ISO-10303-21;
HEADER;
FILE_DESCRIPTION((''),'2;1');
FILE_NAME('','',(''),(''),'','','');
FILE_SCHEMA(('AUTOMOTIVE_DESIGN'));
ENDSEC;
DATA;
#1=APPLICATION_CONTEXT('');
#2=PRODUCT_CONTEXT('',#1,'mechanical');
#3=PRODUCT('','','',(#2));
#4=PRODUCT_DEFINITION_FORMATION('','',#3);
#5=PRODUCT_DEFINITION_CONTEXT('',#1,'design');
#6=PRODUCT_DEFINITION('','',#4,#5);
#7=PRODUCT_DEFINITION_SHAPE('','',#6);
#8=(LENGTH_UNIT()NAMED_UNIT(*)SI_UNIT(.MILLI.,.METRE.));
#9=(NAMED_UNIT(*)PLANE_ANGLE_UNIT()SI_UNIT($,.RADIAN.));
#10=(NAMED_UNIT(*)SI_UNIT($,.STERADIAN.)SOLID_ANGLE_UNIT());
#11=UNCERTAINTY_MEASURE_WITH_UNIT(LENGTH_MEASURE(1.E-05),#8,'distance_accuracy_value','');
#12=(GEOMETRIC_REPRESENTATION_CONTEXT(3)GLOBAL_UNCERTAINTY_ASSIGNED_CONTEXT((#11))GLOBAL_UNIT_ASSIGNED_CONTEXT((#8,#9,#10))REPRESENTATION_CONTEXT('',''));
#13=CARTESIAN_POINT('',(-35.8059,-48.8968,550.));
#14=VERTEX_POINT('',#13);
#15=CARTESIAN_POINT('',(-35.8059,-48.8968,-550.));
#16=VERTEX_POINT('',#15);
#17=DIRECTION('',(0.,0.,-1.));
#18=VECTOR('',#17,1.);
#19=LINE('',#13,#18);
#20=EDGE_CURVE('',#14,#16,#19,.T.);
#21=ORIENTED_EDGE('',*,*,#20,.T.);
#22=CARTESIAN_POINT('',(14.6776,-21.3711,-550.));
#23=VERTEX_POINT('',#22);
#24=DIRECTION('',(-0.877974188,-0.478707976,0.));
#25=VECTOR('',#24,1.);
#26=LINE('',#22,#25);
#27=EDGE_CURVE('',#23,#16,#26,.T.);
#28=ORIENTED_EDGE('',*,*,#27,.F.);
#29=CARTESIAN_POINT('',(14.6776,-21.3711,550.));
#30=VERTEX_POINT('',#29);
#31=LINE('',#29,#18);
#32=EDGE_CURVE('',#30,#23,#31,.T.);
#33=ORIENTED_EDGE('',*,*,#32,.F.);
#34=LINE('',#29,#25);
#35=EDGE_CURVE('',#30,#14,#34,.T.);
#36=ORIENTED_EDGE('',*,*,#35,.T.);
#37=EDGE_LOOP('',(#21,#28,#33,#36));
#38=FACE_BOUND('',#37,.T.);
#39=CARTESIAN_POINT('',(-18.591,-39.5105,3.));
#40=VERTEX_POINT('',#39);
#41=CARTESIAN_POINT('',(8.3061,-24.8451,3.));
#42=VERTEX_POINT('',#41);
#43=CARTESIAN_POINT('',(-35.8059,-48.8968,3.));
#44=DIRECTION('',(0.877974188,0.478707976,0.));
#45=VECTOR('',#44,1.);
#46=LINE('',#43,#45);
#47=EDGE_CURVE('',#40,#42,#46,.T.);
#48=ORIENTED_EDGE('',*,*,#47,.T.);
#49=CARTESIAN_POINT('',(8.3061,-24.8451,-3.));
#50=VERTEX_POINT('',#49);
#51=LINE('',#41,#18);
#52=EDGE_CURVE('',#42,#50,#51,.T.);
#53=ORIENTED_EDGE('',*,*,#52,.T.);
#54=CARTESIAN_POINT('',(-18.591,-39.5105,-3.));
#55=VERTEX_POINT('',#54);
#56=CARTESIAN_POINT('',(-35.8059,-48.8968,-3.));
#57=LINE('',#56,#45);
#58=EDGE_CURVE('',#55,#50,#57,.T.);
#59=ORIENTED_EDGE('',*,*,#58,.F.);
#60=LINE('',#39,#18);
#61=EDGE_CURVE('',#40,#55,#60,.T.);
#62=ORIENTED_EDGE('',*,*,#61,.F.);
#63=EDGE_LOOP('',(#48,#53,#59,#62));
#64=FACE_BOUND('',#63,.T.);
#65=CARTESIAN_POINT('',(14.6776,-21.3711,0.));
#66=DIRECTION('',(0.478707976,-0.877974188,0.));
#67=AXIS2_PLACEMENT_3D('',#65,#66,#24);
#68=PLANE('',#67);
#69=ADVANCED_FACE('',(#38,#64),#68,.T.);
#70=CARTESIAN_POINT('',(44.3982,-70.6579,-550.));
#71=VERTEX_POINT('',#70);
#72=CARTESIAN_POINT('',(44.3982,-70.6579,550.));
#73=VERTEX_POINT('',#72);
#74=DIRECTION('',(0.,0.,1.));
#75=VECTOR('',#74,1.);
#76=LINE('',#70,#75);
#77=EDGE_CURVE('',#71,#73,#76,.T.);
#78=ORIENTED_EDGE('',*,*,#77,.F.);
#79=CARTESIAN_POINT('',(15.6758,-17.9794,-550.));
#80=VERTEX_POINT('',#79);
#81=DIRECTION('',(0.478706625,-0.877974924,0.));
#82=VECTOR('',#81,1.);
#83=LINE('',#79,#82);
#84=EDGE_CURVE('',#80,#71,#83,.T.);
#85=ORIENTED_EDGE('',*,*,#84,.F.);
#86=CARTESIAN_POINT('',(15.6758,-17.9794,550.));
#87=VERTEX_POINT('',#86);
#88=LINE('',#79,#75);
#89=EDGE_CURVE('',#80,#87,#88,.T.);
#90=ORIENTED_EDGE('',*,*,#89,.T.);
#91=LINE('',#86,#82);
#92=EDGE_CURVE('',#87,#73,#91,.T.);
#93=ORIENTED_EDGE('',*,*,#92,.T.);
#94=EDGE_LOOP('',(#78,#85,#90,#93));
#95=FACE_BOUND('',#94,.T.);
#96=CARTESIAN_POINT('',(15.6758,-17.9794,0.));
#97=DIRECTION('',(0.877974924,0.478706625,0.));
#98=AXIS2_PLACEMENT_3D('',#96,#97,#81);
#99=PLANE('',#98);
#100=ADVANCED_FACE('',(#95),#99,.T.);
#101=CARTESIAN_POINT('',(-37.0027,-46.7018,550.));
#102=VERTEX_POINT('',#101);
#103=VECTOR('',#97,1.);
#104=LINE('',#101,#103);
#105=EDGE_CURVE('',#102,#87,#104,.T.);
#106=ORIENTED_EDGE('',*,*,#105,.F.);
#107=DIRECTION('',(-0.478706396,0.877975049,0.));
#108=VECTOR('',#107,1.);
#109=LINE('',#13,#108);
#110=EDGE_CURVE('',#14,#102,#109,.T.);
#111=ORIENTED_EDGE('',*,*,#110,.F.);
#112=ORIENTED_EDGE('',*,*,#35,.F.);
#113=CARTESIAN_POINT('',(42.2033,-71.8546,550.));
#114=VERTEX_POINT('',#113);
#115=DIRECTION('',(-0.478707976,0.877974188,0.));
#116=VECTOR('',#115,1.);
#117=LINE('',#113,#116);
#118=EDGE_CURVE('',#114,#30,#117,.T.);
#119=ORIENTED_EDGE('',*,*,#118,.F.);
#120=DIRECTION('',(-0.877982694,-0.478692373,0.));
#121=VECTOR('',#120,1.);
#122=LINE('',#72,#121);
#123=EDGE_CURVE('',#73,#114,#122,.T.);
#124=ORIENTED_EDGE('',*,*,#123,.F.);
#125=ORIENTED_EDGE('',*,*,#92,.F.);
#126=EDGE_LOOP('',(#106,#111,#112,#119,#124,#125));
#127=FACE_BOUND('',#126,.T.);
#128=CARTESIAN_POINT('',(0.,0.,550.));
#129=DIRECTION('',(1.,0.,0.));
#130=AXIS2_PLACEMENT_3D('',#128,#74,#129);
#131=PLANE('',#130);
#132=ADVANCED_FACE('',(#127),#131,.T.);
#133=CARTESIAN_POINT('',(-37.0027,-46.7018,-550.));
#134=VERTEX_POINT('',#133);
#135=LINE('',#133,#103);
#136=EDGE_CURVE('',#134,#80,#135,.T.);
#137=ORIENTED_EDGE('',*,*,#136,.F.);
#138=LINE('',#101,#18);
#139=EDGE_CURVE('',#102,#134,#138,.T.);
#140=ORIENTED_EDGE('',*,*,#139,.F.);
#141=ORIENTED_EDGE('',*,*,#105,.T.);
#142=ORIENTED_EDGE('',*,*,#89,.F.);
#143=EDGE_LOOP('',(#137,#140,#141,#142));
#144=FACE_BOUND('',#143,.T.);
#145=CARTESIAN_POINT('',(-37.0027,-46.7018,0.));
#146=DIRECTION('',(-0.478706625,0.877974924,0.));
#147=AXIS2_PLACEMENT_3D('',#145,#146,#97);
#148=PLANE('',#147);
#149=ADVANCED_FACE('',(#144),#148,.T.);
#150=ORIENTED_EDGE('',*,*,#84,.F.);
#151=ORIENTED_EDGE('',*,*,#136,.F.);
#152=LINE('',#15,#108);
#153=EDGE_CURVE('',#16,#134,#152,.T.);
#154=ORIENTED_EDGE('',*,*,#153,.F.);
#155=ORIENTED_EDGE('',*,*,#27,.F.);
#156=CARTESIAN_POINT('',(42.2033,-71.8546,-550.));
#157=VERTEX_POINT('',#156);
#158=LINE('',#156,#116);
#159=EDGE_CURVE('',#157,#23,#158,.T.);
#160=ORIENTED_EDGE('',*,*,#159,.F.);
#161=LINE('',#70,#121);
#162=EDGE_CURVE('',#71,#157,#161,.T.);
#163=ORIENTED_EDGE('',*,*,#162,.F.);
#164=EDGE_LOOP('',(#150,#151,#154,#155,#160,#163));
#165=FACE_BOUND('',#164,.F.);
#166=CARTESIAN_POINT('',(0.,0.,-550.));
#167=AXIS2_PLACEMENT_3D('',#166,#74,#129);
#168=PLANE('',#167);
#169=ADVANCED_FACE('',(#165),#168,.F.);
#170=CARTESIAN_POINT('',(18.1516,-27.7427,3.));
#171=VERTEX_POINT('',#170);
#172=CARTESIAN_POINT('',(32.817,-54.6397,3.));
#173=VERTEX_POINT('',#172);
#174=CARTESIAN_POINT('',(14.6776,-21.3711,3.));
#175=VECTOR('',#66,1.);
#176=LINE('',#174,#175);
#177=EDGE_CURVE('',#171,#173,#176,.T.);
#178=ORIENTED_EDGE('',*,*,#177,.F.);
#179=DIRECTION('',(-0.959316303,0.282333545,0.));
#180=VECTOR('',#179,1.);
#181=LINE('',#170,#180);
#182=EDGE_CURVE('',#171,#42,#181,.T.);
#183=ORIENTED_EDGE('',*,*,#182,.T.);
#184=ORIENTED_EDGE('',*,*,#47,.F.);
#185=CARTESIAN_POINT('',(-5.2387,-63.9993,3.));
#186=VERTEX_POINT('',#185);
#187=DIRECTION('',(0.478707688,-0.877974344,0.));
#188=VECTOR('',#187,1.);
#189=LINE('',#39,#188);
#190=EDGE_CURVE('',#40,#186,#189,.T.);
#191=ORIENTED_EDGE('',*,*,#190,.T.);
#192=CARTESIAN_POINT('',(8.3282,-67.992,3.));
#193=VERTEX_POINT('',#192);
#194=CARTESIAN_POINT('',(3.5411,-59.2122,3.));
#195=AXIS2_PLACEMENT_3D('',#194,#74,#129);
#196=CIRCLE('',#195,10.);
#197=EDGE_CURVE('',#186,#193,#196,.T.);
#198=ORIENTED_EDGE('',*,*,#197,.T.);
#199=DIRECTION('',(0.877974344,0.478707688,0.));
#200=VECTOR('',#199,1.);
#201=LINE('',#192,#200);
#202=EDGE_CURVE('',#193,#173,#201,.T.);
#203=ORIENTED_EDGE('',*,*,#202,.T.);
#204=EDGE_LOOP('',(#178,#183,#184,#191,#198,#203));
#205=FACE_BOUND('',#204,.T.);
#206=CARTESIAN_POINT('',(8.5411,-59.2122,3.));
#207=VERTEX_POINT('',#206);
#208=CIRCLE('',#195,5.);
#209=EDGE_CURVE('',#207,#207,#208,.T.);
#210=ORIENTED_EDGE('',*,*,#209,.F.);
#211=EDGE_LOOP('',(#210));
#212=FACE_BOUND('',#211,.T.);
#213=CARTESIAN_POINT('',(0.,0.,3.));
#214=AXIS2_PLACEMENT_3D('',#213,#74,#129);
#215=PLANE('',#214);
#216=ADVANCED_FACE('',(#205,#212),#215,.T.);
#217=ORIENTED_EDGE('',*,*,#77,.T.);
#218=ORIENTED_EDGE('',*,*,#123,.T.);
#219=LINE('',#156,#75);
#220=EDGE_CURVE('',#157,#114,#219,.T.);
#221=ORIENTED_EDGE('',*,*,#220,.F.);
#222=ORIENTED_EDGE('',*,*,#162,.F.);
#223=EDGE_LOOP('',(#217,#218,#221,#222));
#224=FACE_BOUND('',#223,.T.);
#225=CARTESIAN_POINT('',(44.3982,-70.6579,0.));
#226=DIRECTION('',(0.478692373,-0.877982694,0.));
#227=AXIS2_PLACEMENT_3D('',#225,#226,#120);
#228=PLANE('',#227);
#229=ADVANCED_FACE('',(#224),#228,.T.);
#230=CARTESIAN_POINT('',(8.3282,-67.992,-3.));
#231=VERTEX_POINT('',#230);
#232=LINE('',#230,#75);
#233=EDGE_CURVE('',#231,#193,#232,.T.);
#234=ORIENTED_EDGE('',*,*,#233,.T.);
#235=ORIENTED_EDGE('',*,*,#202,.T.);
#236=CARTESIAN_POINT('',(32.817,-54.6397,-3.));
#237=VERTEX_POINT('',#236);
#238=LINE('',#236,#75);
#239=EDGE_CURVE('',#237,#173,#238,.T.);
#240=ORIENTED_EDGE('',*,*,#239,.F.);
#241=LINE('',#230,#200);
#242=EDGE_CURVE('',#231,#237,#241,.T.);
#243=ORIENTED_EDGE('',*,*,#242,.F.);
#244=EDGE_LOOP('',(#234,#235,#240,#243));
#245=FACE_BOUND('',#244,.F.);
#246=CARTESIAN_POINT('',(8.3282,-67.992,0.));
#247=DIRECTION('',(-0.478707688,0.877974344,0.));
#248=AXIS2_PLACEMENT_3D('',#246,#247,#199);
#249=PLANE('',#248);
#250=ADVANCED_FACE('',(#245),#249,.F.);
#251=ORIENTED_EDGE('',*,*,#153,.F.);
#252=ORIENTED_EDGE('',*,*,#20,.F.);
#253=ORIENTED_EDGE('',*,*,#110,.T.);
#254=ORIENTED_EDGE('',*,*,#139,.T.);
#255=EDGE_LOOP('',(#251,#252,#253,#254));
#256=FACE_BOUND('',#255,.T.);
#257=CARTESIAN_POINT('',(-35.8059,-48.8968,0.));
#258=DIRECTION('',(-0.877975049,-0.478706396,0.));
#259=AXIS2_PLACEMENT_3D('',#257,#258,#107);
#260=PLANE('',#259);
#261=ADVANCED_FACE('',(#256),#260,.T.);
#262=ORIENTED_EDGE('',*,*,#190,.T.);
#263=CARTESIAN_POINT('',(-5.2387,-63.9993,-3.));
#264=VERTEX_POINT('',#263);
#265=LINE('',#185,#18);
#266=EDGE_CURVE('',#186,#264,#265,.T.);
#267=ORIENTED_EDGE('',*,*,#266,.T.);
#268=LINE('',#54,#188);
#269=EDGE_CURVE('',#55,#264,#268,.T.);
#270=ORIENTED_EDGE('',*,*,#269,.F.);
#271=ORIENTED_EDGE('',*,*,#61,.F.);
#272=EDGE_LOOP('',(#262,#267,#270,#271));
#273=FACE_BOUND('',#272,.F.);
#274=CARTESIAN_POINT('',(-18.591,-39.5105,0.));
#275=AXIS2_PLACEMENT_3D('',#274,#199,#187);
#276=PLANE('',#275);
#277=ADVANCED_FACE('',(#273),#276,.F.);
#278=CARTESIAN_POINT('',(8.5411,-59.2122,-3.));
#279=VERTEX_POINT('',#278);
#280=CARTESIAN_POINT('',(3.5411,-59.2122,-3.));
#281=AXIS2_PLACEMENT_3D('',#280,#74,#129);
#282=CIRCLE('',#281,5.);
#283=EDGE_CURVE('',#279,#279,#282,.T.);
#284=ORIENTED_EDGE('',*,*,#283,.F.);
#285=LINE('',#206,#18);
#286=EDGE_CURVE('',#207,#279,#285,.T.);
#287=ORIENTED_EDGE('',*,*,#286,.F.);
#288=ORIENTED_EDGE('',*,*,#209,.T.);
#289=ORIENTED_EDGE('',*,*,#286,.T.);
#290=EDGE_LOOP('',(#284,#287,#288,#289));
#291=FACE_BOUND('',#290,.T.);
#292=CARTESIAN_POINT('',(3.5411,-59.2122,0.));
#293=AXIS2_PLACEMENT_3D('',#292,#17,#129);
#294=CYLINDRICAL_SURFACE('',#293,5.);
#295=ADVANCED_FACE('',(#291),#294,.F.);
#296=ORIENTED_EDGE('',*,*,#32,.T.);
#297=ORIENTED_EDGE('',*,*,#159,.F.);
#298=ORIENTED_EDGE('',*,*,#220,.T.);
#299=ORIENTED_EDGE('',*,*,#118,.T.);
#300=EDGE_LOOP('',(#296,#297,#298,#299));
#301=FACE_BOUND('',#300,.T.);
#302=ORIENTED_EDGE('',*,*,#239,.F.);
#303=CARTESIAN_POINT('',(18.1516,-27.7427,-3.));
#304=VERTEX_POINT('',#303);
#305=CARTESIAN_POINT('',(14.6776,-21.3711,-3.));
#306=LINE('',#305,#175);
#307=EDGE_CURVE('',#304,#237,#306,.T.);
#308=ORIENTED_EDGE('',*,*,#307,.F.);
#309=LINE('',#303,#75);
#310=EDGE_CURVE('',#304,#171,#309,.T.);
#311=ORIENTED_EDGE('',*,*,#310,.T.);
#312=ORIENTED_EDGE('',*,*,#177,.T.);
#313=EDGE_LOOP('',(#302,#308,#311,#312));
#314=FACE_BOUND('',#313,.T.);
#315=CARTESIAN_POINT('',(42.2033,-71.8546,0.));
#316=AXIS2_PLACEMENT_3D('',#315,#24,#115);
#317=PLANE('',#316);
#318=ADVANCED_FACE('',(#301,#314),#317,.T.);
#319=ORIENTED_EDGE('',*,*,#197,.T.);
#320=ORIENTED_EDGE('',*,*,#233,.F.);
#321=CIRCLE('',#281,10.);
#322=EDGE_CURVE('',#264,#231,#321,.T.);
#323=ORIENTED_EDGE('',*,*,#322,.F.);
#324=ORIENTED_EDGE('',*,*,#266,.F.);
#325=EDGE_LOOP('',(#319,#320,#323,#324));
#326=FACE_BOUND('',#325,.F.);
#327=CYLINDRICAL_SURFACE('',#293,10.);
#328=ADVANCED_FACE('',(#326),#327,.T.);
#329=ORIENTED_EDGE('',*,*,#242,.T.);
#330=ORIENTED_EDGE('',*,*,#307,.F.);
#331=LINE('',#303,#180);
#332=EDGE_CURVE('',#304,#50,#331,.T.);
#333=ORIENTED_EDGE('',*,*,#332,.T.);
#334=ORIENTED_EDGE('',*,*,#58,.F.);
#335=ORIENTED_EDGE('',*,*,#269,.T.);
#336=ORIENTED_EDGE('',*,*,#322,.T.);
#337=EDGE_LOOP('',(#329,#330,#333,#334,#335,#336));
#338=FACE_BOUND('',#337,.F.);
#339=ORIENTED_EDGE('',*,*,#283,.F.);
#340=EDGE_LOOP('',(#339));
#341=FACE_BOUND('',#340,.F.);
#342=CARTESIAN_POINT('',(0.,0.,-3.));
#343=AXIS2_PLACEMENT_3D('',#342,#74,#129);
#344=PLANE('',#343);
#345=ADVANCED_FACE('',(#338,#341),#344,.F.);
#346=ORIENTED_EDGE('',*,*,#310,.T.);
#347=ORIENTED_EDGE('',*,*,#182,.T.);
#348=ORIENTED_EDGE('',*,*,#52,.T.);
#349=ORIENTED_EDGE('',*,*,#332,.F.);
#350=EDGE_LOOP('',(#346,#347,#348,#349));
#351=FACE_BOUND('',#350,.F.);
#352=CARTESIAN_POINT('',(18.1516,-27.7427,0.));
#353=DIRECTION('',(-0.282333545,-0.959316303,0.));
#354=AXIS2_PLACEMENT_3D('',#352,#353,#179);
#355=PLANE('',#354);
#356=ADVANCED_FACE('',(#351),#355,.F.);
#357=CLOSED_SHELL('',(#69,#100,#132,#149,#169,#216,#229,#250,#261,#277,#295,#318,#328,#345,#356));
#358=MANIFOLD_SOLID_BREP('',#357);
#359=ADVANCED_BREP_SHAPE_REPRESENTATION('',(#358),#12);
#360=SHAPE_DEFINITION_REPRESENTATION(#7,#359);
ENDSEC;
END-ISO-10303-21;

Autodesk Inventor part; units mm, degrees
ref_plane "YZ Plane" through (0, 0, 0) normal (1, 0, 0) x (0, 1, 0)
ref_plane "XZ Plane" through (0, 0, 0) normal (0, 1, 0) x (-1, 0, 0)
ref_plane "XY Plane" through (0, 0, 0) normal (0, 0, 1) x (1, 0, 0)
sketch "Sketch1" plane through (0, 0, 0) normal (0, 0, 1) x (1, 0, 0)
  circle A0 centre (-76.4616, -331.0553) radius 285.0725 projected
  line L0 (42.2033, -71.8546) -> (14.6776, -21.3711)
  line L1 (14.6776, -21.3711) -> (-35.8059, -48.8968)
  line L2 (-35.8059, -48.8968) -> (-37.0027, -46.7018)
  line L3 (-37.0027, -46.7018) -> (15.6758, -17.9794)
  line L4 (15.6758, -17.9794) -> (44.3982, -70.6579)
  line L5 (44.3982, -70.6579) -> (42.2033, -71.8546)
  dimension "d15" = 2.5
  dimension "d16" = 60
extrude "Extrusion1" add sketch "Sketch1" along normal mid plane 1100 contours L0 L1 L2 L3 L4 L5
sketch "Sketch3" plane through (0, 0, 0) normal (0, 0, 1) x (1, 0, 0)
  circle A0 centre (3.5411, -59.2122) radius 5
  circle A1 centre (3.5411, -59.2122) radius 10
  line L0 (-35.8059, -48.8968) -> (14.6776, -21.3711) projected
  line L1 (14.6776, -21.3711) -> (42.2033, -71.8546) projected
  line L2 (8.3282, -67.992) -> (32.817, -54.6397)
  line L3 (32.817, -54.6397) -> (18.1516, -27.7427)
  line L4 (18.1516, -27.7427) -> (8.3061, -24.8451)
  line L5 (8.3061, -24.8451) -> (-18.591, -39.5105)
  line L6 (-18.591, -39.5105) -> (-5.2387, -63.9993)
  point P0 (0, 0)
  dimension "d21" = 10
  dimension "d22" = 20
extrude "Extrusion4" add sketch "Sketch3" along normal mid plane 6 contours A1 | A1 L6 L0 L4 L1 L2
properties part number "Barra freno"
